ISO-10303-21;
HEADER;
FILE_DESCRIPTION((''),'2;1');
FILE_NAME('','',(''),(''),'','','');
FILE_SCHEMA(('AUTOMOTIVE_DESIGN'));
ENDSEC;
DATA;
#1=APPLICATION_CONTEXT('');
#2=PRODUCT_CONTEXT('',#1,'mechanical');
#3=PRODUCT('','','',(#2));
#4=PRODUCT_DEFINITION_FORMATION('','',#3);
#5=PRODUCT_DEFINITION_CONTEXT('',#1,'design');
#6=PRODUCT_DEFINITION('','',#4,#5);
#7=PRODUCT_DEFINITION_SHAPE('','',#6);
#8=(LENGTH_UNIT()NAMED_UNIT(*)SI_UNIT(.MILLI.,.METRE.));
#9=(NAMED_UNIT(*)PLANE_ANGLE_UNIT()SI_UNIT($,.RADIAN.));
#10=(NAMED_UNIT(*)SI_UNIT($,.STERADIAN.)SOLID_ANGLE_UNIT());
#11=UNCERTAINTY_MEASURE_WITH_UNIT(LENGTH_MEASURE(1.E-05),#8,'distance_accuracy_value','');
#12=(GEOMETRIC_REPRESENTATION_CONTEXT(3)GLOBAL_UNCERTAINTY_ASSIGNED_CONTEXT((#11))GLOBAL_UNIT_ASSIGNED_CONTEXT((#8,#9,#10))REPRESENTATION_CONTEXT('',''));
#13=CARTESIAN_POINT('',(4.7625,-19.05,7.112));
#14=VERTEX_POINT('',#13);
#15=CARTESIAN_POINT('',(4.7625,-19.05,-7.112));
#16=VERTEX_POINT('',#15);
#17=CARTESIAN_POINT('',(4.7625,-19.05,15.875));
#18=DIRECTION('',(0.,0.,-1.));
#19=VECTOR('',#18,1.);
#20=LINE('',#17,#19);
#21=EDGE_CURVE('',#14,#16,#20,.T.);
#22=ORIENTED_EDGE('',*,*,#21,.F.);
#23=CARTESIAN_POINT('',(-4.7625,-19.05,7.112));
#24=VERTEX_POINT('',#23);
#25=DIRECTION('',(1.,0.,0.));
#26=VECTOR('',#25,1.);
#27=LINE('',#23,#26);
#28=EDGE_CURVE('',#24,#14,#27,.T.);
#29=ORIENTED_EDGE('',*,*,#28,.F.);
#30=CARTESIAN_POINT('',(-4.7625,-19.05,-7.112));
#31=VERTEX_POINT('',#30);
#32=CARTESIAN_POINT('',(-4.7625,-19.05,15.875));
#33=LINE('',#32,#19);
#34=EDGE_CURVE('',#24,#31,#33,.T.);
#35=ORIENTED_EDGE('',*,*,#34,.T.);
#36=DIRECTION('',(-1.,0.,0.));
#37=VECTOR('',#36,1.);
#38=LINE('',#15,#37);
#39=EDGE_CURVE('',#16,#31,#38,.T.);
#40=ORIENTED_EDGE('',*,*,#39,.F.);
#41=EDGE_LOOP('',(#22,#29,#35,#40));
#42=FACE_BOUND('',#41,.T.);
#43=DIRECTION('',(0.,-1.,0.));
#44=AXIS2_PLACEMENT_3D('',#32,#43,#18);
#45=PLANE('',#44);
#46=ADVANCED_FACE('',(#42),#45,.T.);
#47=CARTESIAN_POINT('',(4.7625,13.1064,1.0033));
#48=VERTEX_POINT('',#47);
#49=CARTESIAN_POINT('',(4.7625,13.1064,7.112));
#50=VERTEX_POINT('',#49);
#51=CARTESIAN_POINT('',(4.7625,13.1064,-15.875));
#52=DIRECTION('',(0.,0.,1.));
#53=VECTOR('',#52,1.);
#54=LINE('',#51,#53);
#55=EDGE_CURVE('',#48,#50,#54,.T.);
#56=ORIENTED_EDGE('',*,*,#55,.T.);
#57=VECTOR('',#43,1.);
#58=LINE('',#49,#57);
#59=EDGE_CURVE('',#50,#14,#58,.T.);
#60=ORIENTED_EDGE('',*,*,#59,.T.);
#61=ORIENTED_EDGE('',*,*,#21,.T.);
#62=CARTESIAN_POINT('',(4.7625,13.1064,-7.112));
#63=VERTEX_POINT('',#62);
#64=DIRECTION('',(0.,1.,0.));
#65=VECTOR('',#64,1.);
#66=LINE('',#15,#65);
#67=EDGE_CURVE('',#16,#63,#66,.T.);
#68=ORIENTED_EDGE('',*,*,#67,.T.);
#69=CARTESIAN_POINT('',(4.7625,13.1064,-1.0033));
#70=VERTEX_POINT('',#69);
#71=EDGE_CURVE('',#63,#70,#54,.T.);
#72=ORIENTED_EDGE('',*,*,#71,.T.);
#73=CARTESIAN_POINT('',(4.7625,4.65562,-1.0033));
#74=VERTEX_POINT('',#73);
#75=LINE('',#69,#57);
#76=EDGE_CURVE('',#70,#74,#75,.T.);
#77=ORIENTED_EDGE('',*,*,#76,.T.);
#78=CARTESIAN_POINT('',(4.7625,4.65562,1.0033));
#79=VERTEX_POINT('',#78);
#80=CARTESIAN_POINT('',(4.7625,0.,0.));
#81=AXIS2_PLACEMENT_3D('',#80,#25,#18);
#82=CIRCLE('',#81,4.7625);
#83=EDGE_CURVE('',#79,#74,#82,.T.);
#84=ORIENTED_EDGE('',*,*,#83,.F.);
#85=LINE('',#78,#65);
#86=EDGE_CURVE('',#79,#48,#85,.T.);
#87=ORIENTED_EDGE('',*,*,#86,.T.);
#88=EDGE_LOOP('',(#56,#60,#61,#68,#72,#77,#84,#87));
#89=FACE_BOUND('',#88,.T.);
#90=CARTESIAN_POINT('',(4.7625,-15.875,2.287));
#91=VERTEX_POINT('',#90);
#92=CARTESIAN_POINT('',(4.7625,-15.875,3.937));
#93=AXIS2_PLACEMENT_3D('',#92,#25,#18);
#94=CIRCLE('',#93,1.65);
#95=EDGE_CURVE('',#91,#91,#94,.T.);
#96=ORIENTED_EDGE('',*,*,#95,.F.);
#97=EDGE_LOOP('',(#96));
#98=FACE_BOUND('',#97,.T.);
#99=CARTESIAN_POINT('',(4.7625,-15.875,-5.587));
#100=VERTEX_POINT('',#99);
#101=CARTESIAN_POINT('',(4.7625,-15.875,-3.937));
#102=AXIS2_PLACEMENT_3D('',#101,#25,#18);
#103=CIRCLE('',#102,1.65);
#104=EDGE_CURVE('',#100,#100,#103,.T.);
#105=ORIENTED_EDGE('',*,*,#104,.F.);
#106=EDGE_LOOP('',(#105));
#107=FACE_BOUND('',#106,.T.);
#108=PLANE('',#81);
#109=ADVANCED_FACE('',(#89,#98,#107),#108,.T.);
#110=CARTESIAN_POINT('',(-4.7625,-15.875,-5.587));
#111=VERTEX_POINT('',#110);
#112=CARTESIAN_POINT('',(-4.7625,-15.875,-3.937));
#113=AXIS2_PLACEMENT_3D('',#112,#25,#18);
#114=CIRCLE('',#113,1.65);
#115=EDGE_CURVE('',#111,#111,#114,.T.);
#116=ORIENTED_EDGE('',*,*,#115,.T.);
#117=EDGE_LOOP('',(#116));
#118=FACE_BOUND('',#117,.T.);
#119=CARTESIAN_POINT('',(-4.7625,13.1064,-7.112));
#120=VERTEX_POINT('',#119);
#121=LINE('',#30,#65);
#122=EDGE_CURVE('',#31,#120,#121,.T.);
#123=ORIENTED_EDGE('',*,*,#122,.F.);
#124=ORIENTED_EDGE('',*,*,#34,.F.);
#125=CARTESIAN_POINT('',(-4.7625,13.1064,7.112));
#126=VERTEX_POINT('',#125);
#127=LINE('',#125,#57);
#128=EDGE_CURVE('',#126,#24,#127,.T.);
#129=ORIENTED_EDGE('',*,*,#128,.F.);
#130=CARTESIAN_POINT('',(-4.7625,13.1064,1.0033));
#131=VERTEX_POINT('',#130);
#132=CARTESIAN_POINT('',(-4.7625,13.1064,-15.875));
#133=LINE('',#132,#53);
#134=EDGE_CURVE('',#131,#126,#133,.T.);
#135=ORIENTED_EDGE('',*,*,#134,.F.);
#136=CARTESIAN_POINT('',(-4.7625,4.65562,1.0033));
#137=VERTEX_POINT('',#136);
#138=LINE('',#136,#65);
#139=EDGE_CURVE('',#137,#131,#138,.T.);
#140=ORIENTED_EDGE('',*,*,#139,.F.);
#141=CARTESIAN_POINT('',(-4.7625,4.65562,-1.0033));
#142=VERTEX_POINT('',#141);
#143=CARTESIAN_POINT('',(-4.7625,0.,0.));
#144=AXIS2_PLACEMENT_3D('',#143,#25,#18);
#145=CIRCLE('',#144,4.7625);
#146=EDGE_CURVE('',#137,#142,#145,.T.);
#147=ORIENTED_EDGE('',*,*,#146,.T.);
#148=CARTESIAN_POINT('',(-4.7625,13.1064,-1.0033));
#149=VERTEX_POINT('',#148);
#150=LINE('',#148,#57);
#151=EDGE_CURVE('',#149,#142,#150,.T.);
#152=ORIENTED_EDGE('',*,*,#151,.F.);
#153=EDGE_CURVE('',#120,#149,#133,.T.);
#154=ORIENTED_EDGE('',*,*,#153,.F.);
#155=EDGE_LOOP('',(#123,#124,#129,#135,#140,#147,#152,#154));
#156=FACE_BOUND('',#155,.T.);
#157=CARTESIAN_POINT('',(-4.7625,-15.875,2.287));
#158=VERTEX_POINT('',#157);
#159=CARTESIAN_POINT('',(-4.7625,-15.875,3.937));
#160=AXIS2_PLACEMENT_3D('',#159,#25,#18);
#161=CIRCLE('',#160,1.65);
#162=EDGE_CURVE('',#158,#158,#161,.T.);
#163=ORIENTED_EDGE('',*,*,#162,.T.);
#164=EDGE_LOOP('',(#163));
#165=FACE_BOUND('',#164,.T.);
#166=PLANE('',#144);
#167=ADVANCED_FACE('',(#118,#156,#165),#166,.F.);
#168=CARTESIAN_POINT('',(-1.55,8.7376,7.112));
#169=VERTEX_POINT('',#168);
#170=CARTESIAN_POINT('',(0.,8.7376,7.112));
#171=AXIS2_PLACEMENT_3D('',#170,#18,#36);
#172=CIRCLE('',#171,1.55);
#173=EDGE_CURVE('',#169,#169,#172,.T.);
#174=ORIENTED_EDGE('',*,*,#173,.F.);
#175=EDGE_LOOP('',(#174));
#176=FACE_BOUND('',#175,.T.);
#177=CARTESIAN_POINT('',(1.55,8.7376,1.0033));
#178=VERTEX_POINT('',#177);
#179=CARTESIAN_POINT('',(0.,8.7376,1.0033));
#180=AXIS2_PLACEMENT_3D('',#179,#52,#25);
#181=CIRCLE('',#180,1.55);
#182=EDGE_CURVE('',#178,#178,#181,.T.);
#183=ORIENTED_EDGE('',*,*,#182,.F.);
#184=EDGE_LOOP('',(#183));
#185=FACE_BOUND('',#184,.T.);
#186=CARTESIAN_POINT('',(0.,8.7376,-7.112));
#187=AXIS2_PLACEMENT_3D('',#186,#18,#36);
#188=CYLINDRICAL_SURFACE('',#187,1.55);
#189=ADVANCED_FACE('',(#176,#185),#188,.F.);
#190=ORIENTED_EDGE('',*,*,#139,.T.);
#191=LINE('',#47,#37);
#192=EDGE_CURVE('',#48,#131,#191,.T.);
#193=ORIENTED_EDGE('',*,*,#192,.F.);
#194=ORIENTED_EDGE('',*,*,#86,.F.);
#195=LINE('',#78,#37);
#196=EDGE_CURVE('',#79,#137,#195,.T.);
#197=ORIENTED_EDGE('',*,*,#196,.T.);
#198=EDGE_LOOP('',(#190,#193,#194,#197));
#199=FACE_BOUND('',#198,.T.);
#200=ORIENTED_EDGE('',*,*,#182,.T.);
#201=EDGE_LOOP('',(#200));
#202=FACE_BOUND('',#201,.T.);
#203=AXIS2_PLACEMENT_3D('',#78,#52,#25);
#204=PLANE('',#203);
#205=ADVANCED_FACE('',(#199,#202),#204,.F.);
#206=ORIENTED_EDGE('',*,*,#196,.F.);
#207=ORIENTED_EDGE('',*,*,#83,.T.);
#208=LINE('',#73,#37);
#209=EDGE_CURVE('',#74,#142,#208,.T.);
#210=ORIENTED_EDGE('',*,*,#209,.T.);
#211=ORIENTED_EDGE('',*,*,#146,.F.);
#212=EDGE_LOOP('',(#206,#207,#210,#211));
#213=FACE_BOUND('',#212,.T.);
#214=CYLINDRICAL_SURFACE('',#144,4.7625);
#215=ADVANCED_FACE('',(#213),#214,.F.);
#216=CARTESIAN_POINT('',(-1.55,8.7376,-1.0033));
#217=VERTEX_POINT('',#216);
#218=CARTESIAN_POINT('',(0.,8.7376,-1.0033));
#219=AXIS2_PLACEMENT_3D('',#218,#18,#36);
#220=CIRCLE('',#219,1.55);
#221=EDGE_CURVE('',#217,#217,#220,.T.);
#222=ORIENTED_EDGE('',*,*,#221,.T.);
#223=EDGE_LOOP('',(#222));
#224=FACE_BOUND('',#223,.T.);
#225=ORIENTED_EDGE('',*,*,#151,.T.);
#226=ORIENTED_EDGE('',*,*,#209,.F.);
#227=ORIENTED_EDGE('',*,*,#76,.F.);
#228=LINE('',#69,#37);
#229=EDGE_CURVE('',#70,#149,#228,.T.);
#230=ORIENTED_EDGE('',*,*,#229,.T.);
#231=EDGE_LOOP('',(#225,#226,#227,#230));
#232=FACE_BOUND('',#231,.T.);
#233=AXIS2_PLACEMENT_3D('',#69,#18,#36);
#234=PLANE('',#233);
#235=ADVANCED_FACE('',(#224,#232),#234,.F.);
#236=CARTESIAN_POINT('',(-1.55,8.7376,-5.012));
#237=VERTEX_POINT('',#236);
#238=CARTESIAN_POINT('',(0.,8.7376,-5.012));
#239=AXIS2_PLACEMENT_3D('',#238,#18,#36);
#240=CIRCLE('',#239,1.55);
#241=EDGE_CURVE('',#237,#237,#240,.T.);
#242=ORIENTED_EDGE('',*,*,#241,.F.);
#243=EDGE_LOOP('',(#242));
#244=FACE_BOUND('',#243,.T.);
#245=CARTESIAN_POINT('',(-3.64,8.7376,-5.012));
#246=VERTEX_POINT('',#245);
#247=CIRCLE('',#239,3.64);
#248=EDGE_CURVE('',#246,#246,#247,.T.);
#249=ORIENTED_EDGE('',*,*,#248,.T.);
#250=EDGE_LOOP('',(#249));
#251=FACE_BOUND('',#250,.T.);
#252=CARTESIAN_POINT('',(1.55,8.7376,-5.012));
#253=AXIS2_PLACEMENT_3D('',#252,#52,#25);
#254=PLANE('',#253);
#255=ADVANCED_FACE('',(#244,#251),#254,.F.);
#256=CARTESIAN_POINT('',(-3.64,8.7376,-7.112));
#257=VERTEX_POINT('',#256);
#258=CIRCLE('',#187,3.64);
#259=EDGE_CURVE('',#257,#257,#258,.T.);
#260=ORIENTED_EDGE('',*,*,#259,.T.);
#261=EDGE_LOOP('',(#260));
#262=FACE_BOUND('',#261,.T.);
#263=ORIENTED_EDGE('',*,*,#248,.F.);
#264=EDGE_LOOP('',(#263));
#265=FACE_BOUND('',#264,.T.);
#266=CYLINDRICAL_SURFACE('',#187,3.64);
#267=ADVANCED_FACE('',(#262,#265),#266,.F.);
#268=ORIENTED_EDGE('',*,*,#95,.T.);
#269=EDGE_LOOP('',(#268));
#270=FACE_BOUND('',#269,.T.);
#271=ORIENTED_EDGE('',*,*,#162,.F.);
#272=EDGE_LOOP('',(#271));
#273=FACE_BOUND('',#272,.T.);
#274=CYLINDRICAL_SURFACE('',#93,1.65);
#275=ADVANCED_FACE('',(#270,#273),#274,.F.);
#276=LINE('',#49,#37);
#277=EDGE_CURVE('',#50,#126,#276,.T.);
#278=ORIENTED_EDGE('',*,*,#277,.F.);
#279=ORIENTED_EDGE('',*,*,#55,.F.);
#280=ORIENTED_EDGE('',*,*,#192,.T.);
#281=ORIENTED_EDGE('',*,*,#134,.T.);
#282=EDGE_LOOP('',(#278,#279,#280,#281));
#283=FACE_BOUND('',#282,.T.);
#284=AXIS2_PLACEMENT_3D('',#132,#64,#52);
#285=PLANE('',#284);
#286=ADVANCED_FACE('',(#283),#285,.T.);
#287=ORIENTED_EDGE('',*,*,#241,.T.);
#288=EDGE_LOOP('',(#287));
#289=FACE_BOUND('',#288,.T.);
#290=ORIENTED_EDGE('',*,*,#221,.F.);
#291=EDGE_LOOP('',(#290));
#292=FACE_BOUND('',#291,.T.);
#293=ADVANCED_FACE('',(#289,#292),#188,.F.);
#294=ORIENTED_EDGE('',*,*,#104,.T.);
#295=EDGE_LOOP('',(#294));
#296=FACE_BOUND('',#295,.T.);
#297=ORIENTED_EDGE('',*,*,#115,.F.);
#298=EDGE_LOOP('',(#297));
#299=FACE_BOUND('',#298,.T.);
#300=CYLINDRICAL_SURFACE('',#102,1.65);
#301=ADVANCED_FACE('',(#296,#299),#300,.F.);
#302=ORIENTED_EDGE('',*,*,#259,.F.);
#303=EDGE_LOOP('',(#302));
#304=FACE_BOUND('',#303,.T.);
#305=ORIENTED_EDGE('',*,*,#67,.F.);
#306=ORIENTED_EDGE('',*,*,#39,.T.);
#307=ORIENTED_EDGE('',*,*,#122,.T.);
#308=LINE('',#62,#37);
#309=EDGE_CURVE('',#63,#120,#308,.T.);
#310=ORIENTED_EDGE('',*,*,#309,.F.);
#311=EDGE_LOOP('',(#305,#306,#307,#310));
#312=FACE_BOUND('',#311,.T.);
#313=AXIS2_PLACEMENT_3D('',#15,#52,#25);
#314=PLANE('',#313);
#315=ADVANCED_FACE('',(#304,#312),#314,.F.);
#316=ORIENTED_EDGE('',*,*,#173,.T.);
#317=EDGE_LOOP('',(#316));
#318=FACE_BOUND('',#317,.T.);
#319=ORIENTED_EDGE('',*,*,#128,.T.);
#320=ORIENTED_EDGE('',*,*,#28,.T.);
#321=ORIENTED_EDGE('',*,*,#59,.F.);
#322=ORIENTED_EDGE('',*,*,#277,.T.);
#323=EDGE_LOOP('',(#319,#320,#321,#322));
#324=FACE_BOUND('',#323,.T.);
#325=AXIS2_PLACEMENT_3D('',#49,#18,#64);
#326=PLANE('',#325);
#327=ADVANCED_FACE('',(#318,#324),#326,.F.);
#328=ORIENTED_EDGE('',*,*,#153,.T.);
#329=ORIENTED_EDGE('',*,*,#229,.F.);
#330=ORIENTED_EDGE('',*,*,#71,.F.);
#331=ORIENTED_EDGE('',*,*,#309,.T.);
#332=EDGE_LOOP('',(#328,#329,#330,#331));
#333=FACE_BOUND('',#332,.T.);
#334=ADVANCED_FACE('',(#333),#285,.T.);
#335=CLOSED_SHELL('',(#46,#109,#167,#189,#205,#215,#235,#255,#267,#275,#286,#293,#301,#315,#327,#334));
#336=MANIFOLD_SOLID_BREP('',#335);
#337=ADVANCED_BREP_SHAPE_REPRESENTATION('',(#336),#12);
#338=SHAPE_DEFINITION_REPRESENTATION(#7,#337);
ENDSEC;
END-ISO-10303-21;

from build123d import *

# Parameters (mm, degrees)
SKETCH1_W                                          = 31.75
SKETCH1_H                                          = 32.1564
BOSS_EXTRUDE1_DEPTH                                = 9.525
SKETCH2_W                                          = 8.763
SKETCH2_H                                          = 32.1564
CUT_EXTRUDE1_DEPTH                                 = 27.563955842
CUT_EXTRUDE2_DEPTH                                 = 27.563955842
SKETCH4_W                                          = 8.763
SKETCH4_H                                          = 32.16
CUT_EXTRUDE3_DEPTH                                 = 27.563955842
SKETCH5_W                                          = 9.525
SKETCH5_H                                          = 4.7625
SKETCH6_W                                          = 1.3208
SKETCH6_H                                          = 6.1087
CBORE_FOR_M2_5_HEX_HEAD_MACHINE_SCREW1_D           = 3.1
CBORE_FOR_M2_5_HEX_HEAD_MACHINE_SCREW1_CBORE_D     = 7.28
CBORE_FOR_M2_5_HEX_HEAD_MACHINE_SCREW1_CBORE_DEPTH = 2.1
M4X0_7_TAPPED_HOLE1_D                              = 3.3


with BuildPart() as part:
    # Sketch1 → Boss-Extrude1 (new body)
    with BuildSketch(Plane(origin=(4.7625, 0, 0), x_dir=(0, 0, -1), z_dir=(1, 0, 0))):
        with Locations((0, -2.9718)):
            Rectangle(SKETCH1_W, SKETCH1_H)
    extrude(amount=-BOSS_EXTRUDE1_DEPTH)

    # Sketch2 → Cut-Extrude1 (cut, through all)
    with BuildSketch(Plane.ZY.offset(4.7625)):
        with Locations((-11.4935, -2.9718)):
            Rectangle(SKETCH2_W, SKETCH2_H)
    extrude(amount=-CUT_EXTRUDE1_DEPTH, mode=Mode.SUBTRACT)

    # Sketch3 → Cut-Extrude2 (cut, through all)
    with BuildSketch(Plane.ZY.offset(4.7625)):
        with BuildLine():
            Line((1.0033, 13.1064), (-1.0033, 13.1064))
            Line((-1.0033, 13.1064), (-1.0033, 4.655619761))
            ThreePointArc((-1.0033, 4.655619761), (0, 4.7625), (1.0033, 4.655619761))
            Line((1.0033, 4.655619761), (1.0033, 13.1064))
        make_face()
    extrude(amount=-CUT_EXTRUDE2_DEPTH, mode=Mode.SUBTRACT)

    # Sketch4 → Cut-Extrude3 (cut, through all)
    with BuildSketch(Plane.ZY.offset(4.7625)):
        with Locations((11.4935, -2.9736)):
            Rectangle(SKETCH4_W, SKETCH4_H)
    extrude(amount=-CUT_EXTRUDE3_DEPTH, mode=Mode.SUBTRACT)

    # Sketch5 → Cut-Revolve1 (revolve, cut)
    with BuildSketch(Plane.XY):
        with Locations((0, 2.38125)):
            Rectangle(SKETCH5_W, SKETCH5_H)
    revolve(axis=Axis((-4.7625, 0, 0), (1, 0, 0)), mode=Mode.SUBTRACT)

    # Sketch6 → Hole1 (revolve, cut)
    with BuildSketch(Plane(origin=(0, 8.7376, 1.0033), x_dir=(0, 1, 0), z_dir=(1, 0, 0))):
        with Locations((0.6604, 3.05435)):
            Rectangle(SKETCH6_W, SKETCH6_H)
    revolve(axis=Axis((0, 8.7376, 111.0033), (0, 0, -1)), mode=Mode.SUBTRACT)

    # CBORE for M2.5 Hex Head Machine Screw1 (through all)
    with Locations(Plane(origin=(0, 0, -7.112), x_dir=(-1, 0, 0), z_dir=(0, 0, -1))):
        with Locations((0, 8.7376)):
            CounterBoreHole(CBORE_FOR_M2_5_HEX_HEAD_MACHINE_SCREW1_D / 2, CBORE_FOR_M2_5_HEX_HEAD_MACHINE_SCREW1_CBORE_D / 2, CBORE_FOR_M2_5_HEX_HEAD_MACHINE_SCREW1_CBORE_DEPTH)

    # M4x0.7 Tapped Hole1 (through all)
    with Locations(Plane(origin=(4.7625, -17.4625, 0), x_dir=(0, 1, 0), z_dir=(1, 0, 0))):
        with Locations((1.5875, -3.937), (1.5875, 3.937)):
            Hole(M4X0_7_TAPPED_HOLE1_D / 2)


solid = part.part
